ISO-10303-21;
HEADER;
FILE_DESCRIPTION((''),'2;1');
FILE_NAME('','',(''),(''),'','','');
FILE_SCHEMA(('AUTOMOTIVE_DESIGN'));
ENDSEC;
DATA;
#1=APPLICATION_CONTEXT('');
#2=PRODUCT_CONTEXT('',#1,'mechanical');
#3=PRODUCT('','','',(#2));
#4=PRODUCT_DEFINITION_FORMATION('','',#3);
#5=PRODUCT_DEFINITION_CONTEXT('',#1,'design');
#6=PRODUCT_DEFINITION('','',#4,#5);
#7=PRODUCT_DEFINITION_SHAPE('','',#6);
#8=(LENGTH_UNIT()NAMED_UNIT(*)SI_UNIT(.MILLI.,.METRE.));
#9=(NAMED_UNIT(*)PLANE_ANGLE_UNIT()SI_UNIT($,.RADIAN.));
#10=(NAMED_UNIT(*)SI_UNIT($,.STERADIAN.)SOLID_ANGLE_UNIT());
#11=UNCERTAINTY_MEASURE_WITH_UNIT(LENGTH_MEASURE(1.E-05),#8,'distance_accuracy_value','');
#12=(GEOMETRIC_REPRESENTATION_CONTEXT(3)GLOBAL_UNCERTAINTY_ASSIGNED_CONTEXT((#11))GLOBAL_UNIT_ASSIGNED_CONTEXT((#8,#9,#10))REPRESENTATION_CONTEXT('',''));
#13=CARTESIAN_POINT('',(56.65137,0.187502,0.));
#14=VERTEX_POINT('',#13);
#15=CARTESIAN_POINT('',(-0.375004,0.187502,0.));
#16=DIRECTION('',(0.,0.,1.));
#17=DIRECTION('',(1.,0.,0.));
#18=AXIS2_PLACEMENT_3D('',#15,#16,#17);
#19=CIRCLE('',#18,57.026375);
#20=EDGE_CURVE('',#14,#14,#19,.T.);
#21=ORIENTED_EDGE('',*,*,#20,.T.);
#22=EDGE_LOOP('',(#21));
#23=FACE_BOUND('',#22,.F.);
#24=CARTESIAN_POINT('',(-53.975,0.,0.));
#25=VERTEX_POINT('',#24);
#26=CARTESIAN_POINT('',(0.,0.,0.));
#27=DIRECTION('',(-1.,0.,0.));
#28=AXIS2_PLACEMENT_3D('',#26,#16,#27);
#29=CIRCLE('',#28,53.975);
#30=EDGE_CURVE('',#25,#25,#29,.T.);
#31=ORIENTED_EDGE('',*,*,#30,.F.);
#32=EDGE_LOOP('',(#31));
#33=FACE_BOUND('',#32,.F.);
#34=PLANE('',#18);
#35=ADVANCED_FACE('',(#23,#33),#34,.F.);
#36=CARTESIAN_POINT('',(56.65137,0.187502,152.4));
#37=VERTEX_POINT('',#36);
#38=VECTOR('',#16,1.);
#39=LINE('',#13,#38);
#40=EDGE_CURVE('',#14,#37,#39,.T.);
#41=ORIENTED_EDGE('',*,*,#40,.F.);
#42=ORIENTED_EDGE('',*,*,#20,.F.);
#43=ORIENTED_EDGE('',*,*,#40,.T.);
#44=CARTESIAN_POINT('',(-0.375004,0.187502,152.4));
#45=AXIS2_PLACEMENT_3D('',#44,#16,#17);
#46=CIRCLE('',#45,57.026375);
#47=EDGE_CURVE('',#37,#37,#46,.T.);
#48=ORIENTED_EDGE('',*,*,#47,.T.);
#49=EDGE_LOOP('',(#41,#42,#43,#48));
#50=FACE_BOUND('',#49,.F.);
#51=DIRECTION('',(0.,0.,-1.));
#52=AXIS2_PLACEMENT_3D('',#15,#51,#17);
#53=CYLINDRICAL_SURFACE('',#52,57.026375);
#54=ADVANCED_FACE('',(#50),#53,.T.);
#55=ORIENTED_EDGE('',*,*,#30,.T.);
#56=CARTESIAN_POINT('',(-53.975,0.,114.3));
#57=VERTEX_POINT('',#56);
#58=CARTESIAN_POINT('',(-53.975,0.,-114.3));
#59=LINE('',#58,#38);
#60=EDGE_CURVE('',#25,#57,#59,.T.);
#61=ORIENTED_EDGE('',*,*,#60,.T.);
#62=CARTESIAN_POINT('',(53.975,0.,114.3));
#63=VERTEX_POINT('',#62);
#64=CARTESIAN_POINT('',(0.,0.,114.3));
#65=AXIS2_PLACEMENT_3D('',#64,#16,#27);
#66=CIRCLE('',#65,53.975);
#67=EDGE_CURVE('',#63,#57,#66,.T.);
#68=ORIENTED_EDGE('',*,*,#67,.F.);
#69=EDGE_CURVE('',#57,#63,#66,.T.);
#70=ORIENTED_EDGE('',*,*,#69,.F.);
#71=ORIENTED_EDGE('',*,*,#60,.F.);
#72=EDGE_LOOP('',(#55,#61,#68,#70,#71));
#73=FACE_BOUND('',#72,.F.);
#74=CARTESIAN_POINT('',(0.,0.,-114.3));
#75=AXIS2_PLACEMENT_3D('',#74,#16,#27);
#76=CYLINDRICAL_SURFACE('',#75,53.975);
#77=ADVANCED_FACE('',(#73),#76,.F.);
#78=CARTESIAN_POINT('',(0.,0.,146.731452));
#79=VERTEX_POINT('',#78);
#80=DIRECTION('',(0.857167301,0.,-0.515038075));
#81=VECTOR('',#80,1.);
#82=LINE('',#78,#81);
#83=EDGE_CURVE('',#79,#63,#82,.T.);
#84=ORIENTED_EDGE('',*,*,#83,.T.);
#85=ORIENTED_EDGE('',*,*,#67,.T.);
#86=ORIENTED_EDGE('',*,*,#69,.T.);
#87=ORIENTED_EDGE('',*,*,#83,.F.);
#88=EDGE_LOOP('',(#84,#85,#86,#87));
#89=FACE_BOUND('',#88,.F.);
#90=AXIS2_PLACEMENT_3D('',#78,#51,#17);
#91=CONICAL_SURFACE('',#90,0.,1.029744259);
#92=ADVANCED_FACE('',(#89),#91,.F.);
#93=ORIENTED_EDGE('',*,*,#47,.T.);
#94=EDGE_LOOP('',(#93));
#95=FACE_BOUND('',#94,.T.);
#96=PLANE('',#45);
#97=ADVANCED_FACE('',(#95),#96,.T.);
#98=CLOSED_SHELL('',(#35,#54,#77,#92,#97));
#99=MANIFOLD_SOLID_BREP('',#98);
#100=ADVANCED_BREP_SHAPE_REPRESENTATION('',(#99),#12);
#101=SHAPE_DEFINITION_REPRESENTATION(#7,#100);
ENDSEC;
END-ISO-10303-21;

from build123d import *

# Parameters (mm, degrees)
F0_R     = 57.0263745586
F1_DEPTH = 152.4
F3_D     = 107.95
F3_DEPTH = 114.3
F3_TIP   = 32.431451912


with BuildPart() as f1:
    # F0 (on Top) → F1 (new body)
    with BuildSketch(Plane.XY):
        with Locations((-0.375004136, 0.1875015732)):
            Circle(F0_R)
    extrude(amount=F1_DEPTH)

    # F3
    with Locations(Plane(origin=(0, 0, 0), x_dir=(1, 0, 0), z_dir=(0, 0, -1))):
        with Locations((0, 0)):
            Hole(F3_D / 2, depth=F3_DEPTH)
            with Locations((0, 0, -(F3_DEPTH + F3_TIP / 2))):  # 118° drill point
                Cone(0, F3_D / 2, F3_TIP, mode=Mode.SUBTRACT)


solid = f1.part
